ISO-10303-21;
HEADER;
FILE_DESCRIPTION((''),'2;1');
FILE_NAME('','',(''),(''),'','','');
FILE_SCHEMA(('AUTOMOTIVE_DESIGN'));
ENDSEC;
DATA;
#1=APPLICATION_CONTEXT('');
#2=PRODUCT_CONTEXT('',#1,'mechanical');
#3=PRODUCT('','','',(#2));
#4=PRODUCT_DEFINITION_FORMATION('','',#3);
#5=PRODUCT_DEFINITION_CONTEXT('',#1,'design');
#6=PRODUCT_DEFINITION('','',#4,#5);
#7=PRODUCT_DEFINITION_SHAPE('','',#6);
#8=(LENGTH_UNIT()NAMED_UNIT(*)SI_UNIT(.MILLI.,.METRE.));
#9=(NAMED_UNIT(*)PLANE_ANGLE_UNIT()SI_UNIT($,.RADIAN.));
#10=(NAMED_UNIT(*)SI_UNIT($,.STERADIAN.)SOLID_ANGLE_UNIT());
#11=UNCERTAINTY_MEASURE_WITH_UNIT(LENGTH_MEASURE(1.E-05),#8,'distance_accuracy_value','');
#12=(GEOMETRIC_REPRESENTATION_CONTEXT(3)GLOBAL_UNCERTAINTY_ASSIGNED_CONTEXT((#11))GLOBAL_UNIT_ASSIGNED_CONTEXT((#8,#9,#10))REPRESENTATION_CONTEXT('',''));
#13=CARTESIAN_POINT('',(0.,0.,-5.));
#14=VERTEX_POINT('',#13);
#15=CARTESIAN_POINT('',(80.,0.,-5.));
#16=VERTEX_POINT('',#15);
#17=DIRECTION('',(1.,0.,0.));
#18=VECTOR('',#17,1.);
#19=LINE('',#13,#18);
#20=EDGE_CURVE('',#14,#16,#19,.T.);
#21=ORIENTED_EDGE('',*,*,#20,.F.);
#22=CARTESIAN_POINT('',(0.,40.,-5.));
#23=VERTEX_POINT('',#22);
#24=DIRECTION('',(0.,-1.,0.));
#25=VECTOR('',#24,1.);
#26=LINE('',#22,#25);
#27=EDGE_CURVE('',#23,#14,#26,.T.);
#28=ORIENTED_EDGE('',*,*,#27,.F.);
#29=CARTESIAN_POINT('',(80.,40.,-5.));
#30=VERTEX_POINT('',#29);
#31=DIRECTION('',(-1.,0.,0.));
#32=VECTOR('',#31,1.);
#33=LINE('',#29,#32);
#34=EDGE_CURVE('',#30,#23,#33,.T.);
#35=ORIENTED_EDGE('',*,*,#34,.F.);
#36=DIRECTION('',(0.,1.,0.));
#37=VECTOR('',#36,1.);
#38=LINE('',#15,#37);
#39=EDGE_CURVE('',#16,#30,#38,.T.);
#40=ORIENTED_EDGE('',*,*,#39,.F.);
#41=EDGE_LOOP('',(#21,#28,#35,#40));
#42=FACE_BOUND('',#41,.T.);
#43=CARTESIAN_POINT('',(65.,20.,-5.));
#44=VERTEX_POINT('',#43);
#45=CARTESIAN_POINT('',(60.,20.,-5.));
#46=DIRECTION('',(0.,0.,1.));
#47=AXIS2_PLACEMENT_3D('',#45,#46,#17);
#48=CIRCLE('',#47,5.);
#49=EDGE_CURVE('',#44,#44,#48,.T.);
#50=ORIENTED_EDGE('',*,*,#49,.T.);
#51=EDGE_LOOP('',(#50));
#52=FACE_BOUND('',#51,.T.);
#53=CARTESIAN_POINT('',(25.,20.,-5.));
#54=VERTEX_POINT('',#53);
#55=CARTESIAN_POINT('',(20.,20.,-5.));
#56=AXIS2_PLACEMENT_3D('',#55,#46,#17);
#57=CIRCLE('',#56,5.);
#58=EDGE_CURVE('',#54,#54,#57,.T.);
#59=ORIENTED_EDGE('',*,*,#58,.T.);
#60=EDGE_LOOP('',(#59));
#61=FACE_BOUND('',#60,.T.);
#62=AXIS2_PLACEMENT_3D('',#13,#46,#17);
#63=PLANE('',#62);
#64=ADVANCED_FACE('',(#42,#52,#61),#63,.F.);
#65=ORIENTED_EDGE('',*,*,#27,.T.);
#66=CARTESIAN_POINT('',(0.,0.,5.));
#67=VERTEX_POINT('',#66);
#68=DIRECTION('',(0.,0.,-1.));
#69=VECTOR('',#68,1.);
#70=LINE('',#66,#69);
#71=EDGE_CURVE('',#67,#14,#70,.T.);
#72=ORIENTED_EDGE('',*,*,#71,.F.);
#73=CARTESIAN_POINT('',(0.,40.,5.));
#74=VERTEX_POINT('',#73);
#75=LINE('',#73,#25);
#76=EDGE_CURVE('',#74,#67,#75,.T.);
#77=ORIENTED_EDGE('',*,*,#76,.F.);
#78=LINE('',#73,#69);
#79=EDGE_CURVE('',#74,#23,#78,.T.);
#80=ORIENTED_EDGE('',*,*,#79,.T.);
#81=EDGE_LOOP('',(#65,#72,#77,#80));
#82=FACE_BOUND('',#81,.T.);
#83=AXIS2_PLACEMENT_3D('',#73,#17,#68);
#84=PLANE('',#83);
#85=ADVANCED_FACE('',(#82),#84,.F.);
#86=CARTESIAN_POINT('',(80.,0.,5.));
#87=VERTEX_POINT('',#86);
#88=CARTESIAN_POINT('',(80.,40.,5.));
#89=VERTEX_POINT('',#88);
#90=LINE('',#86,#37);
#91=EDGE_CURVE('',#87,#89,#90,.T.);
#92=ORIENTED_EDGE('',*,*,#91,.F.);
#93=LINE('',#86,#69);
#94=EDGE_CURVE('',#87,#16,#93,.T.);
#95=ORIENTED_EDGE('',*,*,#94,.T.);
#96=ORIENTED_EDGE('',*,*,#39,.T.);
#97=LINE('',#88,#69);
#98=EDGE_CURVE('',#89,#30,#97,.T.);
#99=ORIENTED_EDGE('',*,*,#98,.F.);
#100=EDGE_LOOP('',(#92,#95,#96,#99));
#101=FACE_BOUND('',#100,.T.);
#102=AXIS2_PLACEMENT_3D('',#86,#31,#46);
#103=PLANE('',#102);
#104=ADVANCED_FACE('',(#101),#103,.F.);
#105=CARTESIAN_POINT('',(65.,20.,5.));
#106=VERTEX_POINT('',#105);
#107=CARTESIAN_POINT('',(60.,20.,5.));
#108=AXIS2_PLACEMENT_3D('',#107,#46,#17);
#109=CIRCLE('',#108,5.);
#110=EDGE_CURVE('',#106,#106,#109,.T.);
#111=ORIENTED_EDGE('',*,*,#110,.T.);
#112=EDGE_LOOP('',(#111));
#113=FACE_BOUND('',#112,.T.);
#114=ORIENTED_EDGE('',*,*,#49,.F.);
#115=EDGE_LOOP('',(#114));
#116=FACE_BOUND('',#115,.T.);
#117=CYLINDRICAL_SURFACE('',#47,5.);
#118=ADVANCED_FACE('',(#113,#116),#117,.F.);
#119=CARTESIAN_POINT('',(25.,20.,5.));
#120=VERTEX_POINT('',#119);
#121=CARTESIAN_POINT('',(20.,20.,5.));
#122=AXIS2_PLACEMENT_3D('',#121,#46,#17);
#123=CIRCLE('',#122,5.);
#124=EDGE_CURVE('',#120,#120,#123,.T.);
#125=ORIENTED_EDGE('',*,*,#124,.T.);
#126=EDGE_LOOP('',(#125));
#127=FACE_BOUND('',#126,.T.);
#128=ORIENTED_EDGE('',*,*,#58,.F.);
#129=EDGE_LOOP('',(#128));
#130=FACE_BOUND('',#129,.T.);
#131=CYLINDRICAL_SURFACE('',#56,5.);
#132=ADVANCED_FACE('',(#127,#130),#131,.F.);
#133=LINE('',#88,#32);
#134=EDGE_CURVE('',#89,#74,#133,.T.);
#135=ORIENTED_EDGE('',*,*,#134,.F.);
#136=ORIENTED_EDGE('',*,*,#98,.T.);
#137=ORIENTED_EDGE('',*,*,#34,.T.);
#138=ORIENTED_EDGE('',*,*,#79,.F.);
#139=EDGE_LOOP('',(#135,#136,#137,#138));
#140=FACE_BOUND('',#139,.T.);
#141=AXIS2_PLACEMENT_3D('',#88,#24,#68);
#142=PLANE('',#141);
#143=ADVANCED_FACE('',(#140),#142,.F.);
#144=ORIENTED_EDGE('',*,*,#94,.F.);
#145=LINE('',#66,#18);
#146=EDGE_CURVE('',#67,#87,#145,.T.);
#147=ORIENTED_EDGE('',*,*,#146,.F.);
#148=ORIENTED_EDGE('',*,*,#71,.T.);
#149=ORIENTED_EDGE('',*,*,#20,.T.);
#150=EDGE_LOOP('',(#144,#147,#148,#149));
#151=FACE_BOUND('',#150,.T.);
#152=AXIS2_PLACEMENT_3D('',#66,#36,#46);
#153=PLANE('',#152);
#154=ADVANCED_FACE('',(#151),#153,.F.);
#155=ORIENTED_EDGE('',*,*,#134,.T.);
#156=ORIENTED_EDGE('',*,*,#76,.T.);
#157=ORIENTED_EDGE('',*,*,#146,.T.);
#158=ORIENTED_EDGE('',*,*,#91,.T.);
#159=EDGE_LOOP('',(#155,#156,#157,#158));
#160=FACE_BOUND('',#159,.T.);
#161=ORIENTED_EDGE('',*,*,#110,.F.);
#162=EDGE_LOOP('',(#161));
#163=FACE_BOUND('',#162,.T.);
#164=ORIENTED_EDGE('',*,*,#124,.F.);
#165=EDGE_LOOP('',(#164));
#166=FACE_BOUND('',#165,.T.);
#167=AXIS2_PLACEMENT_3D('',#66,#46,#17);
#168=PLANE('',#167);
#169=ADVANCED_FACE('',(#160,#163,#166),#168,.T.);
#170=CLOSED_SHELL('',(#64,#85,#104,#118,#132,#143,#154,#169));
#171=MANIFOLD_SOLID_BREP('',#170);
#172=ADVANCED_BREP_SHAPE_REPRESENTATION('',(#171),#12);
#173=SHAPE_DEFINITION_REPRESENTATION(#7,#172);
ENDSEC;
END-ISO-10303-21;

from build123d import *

# Parameters (mm, degrees)
SKETCH_1_W          = 80
SKETCH_1_H          = 40
EXTRUDE_1_DEPTH     = 10
SKETCH_2_R          = 5
CUT_EXTRUDE_1_DEPTH = 91


with BuildPart() as part:
    # 草图1 → 凸台-拉伸1 (new body)
    with BuildSketch(Plane.XY.offset(-5)):
        with Locations((40, 20)):
            Rectangle(SKETCH_1_W, SKETCH_1_H)
    extrude(amount=EXTRUDE_1_DEPTH)

    # 草图2 → 切除-拉伸1 (cut, through all)
    with BuildSketch(Plane.XY.offset(5)):
        with Locations((20, 20)):
            Circle(SKETCH_2_R)
        with Locations((60, 20)):
            Circle(SKETCH_2_R)
    extrude(amount=-CUT_EXTRUDE_1_DEPTH, mode=Mode.SUBTRACT)


solid = part.part
